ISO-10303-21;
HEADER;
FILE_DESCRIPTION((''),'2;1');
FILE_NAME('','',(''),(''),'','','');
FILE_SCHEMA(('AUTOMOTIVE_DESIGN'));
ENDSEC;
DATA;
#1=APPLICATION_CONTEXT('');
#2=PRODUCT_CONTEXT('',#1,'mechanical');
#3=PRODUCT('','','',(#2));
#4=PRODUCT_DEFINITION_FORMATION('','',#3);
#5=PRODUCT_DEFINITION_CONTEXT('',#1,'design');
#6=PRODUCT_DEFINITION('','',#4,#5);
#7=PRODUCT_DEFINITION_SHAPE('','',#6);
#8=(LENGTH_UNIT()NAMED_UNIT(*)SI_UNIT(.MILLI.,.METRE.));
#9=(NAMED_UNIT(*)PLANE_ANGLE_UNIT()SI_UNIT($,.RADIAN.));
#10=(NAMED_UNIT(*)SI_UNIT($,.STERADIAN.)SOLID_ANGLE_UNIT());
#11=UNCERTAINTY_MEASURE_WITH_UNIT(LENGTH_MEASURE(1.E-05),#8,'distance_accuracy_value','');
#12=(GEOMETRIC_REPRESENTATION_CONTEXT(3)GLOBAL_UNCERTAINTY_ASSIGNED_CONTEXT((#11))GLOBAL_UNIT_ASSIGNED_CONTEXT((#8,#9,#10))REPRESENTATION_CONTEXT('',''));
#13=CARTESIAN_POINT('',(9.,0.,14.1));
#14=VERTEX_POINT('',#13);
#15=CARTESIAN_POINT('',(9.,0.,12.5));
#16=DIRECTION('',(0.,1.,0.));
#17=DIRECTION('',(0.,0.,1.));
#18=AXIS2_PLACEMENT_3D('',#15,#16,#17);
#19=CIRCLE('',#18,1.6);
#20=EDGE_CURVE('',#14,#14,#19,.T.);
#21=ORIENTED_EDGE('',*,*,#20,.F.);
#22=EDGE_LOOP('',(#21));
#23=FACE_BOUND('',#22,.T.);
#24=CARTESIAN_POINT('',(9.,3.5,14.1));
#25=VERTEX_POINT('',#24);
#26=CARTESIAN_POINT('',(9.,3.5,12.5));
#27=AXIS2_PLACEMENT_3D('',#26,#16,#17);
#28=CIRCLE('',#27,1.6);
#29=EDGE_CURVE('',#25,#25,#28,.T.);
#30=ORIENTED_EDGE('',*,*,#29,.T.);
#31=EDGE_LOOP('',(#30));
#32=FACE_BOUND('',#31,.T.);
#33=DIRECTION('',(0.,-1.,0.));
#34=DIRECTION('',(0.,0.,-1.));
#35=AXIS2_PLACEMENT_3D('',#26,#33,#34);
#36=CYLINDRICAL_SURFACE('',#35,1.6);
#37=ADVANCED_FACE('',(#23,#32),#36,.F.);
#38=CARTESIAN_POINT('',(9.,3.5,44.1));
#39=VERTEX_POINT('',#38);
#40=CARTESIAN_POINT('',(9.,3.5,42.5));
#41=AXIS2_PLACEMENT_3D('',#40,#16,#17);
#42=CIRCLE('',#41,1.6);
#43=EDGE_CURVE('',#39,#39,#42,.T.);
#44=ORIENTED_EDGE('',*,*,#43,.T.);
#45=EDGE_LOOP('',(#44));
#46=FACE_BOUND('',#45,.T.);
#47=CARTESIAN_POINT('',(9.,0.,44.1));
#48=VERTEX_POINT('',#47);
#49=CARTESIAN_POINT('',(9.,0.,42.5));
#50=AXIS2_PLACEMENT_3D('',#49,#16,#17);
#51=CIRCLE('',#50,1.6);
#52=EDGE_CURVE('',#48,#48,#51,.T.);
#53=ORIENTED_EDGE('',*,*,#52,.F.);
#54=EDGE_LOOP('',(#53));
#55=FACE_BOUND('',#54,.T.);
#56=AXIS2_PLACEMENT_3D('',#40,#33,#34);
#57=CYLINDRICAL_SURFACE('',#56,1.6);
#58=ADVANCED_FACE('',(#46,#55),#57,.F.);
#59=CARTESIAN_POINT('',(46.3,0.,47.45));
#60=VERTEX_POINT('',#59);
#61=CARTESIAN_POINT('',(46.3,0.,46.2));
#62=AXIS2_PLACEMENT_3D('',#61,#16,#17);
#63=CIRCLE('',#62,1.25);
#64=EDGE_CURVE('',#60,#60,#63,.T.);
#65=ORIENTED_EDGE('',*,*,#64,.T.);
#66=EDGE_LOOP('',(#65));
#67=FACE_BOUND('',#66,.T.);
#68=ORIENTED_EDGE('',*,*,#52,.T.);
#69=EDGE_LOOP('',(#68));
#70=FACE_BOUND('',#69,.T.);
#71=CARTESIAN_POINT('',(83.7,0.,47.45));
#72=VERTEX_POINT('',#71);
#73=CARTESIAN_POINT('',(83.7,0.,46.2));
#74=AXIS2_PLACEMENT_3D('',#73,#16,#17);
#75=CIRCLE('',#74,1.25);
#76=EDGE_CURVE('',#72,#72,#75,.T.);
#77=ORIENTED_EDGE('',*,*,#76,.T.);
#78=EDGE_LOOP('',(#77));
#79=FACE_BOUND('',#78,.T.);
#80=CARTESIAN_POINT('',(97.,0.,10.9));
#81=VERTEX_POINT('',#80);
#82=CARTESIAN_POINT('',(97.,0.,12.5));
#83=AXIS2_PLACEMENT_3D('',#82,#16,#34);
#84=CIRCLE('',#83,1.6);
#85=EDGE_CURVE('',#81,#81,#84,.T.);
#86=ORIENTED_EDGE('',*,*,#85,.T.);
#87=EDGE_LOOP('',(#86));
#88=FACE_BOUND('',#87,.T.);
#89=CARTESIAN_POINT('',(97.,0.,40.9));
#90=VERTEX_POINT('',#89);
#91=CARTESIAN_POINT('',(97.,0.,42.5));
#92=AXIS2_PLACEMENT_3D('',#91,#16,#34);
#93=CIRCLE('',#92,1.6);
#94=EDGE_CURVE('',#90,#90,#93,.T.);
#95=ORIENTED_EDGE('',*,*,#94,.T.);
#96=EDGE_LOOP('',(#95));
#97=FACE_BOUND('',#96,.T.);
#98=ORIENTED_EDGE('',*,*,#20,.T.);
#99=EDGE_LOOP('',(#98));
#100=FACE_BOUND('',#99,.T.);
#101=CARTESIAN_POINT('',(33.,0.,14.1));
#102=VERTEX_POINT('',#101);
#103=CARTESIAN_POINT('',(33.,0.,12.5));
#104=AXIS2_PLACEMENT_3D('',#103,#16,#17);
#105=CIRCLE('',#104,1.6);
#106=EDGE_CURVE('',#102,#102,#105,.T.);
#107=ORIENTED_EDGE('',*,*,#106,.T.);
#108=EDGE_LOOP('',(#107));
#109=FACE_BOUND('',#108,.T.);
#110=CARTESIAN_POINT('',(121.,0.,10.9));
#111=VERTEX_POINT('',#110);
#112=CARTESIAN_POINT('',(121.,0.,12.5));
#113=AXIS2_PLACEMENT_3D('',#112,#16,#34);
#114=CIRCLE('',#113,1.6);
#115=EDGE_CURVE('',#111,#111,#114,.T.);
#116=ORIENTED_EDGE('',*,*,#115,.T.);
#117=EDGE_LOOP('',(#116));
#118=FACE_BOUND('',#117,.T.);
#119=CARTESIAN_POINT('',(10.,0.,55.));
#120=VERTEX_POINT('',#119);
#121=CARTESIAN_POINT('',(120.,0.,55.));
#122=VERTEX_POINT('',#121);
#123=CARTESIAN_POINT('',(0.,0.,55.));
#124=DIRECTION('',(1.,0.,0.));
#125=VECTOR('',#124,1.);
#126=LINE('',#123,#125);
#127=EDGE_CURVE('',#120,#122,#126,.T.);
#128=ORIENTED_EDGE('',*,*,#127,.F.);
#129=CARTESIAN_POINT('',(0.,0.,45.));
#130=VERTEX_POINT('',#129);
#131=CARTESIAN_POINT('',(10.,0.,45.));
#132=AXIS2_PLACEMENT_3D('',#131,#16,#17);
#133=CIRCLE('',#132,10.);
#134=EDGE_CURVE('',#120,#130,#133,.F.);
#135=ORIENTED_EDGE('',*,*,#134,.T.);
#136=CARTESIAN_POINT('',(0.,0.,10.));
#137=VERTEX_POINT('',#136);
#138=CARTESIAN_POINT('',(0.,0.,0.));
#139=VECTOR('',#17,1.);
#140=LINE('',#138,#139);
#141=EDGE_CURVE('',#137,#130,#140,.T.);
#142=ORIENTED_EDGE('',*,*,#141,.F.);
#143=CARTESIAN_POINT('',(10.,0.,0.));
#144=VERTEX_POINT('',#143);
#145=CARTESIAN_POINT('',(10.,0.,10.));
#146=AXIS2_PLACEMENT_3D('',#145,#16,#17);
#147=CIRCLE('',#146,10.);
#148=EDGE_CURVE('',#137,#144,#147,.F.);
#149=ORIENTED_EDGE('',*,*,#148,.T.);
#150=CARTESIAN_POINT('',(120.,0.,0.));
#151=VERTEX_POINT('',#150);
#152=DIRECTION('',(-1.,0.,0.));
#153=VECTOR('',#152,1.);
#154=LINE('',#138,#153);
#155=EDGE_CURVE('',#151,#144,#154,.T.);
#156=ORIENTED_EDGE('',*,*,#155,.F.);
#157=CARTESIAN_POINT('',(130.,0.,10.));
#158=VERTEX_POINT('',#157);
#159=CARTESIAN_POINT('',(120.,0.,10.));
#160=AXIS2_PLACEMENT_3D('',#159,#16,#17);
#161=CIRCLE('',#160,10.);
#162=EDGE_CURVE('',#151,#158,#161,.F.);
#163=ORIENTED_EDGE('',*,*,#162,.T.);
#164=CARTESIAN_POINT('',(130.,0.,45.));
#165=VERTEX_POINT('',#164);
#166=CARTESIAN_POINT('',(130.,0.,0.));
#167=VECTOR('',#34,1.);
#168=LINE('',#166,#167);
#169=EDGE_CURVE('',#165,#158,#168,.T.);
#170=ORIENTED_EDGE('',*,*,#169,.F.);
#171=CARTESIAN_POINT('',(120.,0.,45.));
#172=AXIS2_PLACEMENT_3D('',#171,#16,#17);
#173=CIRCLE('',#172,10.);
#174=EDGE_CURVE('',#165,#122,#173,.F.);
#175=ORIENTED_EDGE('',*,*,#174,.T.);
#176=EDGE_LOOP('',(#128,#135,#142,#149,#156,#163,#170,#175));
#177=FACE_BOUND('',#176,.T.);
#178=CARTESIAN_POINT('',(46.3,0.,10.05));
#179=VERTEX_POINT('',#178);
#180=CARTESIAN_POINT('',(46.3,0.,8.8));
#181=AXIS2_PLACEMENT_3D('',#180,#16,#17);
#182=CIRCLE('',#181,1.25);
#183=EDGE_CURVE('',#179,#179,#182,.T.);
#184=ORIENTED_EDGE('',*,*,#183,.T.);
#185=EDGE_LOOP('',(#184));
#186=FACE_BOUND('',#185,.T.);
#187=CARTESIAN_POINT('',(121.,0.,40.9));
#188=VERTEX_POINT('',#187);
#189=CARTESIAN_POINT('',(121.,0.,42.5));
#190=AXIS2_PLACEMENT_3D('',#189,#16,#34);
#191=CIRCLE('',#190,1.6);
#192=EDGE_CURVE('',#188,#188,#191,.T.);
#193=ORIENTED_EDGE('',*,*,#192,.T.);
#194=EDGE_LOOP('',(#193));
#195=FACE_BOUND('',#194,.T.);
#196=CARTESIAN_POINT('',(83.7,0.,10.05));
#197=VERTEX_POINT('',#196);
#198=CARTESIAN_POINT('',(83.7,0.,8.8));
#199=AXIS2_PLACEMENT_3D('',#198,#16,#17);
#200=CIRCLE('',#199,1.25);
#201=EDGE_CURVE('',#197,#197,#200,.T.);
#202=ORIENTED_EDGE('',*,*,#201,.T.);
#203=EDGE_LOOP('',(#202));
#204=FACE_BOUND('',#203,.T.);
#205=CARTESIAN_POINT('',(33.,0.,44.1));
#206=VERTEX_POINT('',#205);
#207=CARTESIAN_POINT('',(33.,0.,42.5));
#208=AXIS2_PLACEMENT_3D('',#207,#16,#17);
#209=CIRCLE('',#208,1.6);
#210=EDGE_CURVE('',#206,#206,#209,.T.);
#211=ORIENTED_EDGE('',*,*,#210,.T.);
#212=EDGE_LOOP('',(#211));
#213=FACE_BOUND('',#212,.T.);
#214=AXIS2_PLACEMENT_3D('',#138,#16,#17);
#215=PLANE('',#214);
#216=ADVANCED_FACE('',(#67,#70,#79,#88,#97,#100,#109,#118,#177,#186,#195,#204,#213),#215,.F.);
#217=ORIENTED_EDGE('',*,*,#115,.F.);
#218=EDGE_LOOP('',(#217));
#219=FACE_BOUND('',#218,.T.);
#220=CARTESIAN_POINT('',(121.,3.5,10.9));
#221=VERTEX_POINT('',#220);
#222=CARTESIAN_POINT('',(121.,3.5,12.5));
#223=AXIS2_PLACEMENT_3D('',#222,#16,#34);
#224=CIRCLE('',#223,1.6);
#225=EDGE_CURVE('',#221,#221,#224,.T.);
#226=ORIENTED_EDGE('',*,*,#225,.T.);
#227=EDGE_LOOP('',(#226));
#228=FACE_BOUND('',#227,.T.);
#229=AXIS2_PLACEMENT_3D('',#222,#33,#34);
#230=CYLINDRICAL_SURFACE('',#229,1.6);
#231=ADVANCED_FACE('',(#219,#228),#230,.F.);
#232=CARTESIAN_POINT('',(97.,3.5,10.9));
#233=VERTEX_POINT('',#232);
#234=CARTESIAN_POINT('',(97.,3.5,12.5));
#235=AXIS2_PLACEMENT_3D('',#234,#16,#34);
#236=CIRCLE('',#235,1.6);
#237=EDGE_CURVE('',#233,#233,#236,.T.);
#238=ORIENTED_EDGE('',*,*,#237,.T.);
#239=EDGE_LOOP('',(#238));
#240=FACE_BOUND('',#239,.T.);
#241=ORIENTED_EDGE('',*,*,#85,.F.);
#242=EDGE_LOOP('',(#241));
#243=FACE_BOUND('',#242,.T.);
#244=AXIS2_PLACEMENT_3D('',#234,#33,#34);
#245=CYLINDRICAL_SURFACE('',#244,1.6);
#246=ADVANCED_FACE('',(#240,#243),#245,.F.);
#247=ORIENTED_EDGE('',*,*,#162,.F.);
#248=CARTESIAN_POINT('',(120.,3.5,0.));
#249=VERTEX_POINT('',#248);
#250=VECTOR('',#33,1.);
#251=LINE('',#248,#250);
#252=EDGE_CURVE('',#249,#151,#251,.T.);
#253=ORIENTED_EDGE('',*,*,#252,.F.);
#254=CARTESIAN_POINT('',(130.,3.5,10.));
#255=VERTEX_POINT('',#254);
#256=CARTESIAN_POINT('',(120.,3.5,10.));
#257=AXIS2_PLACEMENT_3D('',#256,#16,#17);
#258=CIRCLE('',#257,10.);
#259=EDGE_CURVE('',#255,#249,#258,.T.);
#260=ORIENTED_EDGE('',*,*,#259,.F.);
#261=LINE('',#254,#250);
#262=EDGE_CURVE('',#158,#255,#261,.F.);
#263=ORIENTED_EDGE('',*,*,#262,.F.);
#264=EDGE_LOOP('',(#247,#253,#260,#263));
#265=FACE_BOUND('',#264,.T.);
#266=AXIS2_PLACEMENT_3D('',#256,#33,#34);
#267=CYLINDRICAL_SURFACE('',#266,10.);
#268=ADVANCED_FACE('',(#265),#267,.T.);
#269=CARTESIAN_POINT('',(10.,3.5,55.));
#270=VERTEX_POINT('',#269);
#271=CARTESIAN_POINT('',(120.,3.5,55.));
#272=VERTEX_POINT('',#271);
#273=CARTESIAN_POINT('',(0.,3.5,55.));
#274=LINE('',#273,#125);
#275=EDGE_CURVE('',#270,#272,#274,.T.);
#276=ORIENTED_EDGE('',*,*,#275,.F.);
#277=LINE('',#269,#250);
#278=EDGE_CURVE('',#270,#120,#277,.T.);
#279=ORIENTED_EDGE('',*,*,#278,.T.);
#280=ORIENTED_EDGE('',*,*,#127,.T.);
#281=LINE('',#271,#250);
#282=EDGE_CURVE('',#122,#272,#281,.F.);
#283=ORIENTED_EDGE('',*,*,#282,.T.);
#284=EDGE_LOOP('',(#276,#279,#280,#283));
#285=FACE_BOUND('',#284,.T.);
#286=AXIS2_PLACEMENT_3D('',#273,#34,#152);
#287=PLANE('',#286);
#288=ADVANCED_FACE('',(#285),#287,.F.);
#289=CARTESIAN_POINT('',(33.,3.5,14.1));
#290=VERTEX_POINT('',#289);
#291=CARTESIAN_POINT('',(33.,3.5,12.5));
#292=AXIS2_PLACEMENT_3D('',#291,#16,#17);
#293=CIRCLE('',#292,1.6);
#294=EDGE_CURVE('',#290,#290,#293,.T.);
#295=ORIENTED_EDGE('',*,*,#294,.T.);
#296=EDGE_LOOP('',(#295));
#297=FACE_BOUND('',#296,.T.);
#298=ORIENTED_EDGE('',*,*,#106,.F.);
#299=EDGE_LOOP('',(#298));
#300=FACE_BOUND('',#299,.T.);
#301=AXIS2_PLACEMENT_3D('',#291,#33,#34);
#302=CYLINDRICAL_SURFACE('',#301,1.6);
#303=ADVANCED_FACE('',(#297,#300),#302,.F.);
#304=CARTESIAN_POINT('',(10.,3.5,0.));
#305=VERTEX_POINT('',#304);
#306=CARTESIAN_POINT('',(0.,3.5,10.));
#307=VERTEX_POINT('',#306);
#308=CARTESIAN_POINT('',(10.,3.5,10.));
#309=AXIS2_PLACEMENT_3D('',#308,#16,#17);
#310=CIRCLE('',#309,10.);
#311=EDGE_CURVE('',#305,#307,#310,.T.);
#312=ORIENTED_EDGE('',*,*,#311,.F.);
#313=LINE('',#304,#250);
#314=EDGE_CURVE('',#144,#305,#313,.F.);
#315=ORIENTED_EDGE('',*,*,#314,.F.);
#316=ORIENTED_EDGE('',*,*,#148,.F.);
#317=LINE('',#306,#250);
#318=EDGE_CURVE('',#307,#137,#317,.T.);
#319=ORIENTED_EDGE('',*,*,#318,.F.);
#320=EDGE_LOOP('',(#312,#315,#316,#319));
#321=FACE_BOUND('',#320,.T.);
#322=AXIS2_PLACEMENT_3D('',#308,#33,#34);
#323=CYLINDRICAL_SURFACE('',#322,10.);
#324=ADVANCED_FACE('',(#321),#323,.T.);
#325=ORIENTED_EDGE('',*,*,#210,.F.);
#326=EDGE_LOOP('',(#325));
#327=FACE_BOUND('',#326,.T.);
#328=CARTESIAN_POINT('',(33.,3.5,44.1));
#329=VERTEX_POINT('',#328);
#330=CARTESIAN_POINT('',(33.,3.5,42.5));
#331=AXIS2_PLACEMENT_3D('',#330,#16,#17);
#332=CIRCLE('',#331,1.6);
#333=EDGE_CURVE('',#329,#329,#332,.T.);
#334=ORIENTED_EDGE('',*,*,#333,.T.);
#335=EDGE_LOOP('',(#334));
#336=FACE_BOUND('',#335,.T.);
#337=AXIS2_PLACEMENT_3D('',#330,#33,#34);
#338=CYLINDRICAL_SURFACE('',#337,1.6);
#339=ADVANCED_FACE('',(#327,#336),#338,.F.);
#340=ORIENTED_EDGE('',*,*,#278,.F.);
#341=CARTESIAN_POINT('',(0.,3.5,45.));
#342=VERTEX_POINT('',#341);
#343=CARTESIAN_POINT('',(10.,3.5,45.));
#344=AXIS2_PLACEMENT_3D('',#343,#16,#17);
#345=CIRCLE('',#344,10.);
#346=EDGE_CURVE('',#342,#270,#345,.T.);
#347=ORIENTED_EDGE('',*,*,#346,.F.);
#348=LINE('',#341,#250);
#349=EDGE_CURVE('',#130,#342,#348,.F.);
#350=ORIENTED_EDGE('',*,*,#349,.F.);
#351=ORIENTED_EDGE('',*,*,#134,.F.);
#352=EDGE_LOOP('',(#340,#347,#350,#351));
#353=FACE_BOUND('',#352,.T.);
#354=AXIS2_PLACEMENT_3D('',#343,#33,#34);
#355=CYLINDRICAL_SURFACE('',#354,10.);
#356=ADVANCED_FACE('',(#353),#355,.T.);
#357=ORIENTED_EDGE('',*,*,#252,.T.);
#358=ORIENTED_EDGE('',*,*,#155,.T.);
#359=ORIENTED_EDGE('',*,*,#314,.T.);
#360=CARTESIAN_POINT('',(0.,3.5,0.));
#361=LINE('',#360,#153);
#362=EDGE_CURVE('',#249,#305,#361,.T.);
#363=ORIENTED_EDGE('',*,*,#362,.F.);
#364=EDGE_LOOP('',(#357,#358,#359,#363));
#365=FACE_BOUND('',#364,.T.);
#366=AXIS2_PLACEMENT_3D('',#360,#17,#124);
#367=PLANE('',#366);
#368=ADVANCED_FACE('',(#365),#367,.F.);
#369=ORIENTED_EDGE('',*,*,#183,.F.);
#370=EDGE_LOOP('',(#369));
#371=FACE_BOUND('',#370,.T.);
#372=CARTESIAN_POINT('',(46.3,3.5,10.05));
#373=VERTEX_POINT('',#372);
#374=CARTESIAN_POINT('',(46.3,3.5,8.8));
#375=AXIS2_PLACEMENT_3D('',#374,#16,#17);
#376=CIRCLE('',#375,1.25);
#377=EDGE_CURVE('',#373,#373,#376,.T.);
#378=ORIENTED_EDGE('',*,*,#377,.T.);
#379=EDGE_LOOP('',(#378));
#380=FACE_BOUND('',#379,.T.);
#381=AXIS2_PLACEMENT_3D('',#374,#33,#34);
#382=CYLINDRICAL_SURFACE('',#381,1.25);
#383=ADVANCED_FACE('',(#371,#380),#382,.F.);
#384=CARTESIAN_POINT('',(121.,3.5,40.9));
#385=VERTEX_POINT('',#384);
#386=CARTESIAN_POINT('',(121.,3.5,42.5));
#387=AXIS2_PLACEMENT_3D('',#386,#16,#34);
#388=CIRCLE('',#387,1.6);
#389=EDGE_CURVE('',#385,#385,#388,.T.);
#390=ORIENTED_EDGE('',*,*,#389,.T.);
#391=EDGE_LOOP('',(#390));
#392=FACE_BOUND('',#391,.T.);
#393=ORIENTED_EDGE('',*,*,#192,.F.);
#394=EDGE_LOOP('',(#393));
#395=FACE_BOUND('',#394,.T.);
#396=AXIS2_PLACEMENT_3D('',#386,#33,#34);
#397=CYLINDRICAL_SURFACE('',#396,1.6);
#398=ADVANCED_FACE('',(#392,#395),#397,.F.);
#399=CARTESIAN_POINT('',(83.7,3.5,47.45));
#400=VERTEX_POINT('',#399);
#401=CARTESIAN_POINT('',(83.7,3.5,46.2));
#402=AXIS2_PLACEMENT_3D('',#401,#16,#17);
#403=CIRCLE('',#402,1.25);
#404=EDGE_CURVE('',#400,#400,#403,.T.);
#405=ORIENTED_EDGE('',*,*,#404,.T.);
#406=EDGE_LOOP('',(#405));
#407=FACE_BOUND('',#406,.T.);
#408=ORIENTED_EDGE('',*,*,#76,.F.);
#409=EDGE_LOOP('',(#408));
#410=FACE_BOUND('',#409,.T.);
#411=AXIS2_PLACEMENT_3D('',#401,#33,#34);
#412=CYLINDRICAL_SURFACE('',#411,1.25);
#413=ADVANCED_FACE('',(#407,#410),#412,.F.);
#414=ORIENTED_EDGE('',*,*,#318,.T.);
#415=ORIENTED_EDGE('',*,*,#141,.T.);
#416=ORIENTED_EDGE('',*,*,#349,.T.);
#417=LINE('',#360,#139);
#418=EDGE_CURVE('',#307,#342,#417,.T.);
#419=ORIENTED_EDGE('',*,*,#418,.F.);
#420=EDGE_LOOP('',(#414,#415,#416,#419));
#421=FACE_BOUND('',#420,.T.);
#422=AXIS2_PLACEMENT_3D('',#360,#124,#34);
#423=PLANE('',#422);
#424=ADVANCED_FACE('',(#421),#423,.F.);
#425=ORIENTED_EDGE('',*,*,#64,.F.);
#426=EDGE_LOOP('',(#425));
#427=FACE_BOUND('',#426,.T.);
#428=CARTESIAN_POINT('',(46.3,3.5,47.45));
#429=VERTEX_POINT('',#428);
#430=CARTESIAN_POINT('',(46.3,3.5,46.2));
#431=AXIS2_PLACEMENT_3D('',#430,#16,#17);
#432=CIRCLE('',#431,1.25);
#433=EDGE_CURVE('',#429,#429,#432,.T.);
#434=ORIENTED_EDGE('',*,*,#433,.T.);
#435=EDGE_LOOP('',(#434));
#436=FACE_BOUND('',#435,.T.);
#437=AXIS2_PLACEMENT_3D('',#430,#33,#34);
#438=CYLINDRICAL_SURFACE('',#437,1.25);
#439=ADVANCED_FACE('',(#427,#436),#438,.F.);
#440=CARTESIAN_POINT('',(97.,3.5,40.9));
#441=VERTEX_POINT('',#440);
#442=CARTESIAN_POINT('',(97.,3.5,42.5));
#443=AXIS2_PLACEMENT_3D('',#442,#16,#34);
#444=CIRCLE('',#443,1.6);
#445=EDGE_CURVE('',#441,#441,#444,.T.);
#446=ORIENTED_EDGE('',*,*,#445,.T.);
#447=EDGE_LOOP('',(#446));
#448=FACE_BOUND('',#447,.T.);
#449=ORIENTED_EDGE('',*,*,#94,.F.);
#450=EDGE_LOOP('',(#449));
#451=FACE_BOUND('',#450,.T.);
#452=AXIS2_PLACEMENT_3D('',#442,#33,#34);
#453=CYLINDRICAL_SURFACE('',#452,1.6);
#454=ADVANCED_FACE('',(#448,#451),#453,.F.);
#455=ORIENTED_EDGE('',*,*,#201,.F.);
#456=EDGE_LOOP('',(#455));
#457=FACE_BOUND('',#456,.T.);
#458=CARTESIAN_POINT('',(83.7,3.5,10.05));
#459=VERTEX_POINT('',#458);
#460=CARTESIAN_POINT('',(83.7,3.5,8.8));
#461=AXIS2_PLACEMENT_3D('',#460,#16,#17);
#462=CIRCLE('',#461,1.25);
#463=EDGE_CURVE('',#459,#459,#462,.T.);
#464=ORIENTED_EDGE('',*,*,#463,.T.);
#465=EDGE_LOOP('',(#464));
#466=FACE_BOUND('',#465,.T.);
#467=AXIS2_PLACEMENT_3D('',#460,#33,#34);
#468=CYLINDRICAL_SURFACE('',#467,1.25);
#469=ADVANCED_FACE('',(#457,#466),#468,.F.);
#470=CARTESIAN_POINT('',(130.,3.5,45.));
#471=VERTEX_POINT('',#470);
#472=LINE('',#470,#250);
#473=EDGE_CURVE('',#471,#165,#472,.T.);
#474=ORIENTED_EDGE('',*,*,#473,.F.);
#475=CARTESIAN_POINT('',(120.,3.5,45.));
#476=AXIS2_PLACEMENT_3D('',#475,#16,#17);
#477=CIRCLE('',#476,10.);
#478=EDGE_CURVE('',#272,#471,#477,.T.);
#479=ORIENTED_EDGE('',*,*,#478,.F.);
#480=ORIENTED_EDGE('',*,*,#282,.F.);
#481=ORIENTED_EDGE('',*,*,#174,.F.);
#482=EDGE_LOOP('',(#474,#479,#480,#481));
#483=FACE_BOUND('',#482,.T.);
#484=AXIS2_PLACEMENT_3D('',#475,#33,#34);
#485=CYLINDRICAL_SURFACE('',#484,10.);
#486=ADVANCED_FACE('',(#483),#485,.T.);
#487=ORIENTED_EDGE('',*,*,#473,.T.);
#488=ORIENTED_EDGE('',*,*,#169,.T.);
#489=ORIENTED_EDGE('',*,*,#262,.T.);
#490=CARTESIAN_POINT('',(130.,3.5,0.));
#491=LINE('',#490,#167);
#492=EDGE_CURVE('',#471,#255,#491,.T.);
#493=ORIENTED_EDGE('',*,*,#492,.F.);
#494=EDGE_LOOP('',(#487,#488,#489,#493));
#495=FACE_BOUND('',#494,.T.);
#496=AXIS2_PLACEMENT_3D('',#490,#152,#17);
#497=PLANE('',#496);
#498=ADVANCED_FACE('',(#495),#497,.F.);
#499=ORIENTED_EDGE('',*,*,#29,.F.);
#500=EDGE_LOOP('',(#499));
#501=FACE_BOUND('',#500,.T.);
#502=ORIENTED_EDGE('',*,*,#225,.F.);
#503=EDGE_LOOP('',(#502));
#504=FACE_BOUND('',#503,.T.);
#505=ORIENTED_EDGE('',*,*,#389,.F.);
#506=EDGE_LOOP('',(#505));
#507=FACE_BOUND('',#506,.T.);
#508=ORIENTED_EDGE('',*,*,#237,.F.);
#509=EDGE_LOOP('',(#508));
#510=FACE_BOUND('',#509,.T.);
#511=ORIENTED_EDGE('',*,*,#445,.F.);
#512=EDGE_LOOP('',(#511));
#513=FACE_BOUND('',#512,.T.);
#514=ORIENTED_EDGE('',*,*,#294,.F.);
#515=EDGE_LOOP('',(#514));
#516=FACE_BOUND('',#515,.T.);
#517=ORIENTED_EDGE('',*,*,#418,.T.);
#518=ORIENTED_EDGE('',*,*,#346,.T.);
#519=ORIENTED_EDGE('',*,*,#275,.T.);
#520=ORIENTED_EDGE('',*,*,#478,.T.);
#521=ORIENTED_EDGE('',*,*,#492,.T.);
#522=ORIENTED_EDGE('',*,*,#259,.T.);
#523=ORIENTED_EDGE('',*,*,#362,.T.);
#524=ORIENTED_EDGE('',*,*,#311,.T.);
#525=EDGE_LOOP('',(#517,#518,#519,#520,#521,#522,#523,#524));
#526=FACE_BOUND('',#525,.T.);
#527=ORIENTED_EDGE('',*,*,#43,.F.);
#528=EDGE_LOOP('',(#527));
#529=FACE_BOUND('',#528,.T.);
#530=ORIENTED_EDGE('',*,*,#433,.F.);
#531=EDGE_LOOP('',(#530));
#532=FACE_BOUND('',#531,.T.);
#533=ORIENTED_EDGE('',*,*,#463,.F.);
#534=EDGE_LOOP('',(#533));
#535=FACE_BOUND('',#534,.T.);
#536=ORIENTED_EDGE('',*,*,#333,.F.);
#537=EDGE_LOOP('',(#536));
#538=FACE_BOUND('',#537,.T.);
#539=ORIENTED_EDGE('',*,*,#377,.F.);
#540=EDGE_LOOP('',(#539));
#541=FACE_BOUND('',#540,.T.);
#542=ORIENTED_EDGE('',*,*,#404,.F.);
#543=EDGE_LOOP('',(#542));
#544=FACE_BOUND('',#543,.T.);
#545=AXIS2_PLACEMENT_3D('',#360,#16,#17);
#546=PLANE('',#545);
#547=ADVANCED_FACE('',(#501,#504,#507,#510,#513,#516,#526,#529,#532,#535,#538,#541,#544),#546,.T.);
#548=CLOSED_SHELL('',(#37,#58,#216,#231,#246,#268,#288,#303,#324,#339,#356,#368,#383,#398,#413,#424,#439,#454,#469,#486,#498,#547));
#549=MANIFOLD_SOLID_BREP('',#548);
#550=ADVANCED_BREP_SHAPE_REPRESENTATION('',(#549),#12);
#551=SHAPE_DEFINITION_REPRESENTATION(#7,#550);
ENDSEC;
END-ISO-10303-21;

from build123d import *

# Parameters (mm, degrees)
SKETCH1_W           = 130
SKETCH1_H           = 55
SKETCH1_R           = 1.6
SKETCH1_R_2         = 1.25
BOSS_EXTRUDE1_DEPTH = 3.5
FILLET1_R           = 10


with BuildPart() as part:
    # Sketch1 → Boss-Extrude1 (new body)
    with BuildSketch(Plane(origin=(0, 0, 0), x_dir=(1, 0, 0), z_dir=(0, 1, 0))):
        with Locations((65, -27.5)):
            Rectangle(SKETCH1_W, SKETCH1_H)
        with Locations((9, -12.5)):
            Circle(SKETCH1_R, mode=Mode.SUBTRACT)
        with Locations((9, -42.5)):
            Circle(SKETCH1_R, mode=Mode.SUBTRACT)
        with Locations((33, -12.5)):
            Circle(SKETCH1_R, mode=Mode.SUBTRACT)
        with Locations((33, -42.5)):
            Circle(SKETCH1_R, mode=Mode.SUBTRACT)
        with Locations((121, -42.5)):
            Circle(SKETCH1_R, mode=Mode.SUBTRACT)
        with Locations((97, -42.5)):
            Circle(SKETCH1_R, mode=Mode.SUBTRACT)
        with Locations((97, -12.5)):
            Circle(SKETCH1_R, mode=Mode.SUBTRACT)
        with Locations((121, -12.5)):
            Circle(SKETCH1_R, mode=Mode.SUBTRACT)
        with Locations((83.7, -8.8)):
            Circle(SKETCH1_R_2, mode=Mode.SUBTRACT)
        with Locations((83.7, -46.2)):
            Circle(SKETCH1_R_2, mode=Mode.SUBTRACT)
        with Locations((46.3, -46.2)):
            Circle(SKETCH1_R_2, mode=Mode.SUBTRACT)
        with Locations((46.3, -8.8)):
            Circle(SKETCH1_R_2, mode=Mode.SUBTRACT)
    extrude(amount=BOSS_EXTRUDE1_DEPTH)

    # Fillet1
    fillet1_edges = [part.edges().sort_by_distance(p)[0] for p in [
        (0, 1.75, 0),
        (130, 1.75, 0),
        (130, 1.75, 55),
        (0, 1.75, 55),
    ]]
    fillet(fillet1_edges, radius=FILLET1_R)


solid = part.part
